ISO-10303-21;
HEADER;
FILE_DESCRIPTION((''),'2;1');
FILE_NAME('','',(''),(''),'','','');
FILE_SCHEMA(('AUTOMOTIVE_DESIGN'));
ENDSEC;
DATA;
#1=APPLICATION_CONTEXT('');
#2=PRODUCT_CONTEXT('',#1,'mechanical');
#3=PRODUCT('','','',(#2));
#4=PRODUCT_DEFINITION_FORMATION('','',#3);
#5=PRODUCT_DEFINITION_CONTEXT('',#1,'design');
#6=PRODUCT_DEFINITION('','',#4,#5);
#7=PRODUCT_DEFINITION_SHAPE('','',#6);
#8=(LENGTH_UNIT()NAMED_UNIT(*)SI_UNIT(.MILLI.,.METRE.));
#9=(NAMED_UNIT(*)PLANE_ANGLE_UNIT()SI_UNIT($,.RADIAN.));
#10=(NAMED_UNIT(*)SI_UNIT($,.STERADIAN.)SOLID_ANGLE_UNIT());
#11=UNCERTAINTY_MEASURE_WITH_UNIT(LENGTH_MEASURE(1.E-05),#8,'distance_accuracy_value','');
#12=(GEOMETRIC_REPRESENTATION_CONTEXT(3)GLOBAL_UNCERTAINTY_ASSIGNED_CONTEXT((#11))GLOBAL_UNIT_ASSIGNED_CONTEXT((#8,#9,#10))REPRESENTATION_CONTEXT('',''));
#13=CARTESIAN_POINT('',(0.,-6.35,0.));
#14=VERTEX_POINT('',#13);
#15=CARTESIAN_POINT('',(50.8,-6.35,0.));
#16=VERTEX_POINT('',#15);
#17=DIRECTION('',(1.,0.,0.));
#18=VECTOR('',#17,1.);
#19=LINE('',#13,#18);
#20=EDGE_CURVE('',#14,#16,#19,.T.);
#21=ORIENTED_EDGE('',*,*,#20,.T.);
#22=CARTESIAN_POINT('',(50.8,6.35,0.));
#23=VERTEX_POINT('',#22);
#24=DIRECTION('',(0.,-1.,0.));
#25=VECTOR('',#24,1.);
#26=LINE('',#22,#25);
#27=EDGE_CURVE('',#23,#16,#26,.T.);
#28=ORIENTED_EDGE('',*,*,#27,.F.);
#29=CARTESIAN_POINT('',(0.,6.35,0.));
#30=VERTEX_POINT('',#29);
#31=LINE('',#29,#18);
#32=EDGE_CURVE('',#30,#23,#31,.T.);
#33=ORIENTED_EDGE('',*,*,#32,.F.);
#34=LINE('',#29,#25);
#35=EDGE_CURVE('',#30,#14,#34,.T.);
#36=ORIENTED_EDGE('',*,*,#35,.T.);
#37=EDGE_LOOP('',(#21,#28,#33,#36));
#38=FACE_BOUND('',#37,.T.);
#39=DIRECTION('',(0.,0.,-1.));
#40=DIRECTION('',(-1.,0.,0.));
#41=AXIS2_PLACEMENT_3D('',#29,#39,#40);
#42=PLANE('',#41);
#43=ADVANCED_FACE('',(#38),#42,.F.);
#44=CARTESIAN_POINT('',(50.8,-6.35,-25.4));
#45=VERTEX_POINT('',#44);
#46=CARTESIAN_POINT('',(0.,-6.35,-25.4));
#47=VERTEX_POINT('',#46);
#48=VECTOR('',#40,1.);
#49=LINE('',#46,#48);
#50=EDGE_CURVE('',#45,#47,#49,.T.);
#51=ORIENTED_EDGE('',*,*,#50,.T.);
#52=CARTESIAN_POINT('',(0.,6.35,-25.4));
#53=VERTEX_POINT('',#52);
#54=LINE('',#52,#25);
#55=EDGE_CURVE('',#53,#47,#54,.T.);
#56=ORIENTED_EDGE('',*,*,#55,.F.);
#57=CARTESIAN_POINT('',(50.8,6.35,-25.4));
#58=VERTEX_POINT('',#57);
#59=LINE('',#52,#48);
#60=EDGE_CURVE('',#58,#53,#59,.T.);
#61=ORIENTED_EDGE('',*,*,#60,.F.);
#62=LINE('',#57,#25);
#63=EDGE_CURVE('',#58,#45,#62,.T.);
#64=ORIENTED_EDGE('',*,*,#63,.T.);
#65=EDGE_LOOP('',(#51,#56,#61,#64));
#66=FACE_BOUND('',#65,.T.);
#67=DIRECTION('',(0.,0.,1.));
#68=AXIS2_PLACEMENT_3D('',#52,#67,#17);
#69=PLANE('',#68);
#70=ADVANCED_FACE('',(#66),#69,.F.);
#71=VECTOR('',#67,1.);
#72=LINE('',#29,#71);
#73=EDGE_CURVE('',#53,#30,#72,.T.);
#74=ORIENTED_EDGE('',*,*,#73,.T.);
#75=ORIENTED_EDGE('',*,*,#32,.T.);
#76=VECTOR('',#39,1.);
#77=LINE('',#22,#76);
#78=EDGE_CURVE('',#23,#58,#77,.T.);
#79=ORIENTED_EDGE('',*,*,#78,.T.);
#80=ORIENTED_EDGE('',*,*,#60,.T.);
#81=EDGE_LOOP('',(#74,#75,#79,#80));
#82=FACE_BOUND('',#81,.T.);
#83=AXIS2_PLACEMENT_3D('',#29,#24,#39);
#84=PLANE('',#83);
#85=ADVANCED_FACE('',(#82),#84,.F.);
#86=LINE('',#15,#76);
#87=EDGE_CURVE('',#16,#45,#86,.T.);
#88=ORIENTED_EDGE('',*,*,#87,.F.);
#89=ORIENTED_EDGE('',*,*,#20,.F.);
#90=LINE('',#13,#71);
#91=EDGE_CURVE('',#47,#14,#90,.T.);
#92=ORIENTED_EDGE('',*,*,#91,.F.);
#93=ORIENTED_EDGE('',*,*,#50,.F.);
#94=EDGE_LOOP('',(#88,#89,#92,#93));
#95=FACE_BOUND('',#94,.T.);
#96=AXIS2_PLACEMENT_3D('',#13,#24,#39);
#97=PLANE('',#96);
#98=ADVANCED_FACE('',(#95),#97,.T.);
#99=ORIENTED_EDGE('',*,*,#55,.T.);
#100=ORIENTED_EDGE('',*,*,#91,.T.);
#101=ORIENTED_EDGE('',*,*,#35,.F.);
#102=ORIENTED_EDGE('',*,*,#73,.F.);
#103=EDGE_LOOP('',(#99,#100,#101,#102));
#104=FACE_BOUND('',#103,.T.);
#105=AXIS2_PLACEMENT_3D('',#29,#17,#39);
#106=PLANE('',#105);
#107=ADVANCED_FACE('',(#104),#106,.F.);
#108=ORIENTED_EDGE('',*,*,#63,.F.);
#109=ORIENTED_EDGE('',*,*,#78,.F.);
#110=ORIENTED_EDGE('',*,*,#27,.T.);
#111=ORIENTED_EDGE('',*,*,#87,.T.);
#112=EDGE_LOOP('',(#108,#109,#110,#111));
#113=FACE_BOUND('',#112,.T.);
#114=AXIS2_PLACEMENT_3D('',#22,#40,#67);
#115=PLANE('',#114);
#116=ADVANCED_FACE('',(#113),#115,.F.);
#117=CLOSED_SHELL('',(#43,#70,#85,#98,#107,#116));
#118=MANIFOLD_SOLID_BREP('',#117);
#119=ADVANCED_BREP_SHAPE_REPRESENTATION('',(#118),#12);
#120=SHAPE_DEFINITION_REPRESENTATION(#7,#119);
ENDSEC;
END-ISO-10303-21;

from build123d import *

# Parameters (mm, degrees)
SKETCH1_W           = 50.8
SKETCH1_H           = 25.4
BOSS_EXTRUDE1_DEPTH = 6.35


with BuildPart() as part:
    # Sketch1 → Boss-Extrude1 (new body, symmetric)
    with BuildSketch(Plane(origin=(0, 0, 0), x_dir=(1, 0, 0), z_dir=(0, 1, 0))):
        with Locations((25.4, 12.7)):
            Rectangle(SKETCH1_W, SKETCH1_H)
    extrude(amount=BOSS_EXTRUDE1_DEPTH, both=True)


solid = part.part
